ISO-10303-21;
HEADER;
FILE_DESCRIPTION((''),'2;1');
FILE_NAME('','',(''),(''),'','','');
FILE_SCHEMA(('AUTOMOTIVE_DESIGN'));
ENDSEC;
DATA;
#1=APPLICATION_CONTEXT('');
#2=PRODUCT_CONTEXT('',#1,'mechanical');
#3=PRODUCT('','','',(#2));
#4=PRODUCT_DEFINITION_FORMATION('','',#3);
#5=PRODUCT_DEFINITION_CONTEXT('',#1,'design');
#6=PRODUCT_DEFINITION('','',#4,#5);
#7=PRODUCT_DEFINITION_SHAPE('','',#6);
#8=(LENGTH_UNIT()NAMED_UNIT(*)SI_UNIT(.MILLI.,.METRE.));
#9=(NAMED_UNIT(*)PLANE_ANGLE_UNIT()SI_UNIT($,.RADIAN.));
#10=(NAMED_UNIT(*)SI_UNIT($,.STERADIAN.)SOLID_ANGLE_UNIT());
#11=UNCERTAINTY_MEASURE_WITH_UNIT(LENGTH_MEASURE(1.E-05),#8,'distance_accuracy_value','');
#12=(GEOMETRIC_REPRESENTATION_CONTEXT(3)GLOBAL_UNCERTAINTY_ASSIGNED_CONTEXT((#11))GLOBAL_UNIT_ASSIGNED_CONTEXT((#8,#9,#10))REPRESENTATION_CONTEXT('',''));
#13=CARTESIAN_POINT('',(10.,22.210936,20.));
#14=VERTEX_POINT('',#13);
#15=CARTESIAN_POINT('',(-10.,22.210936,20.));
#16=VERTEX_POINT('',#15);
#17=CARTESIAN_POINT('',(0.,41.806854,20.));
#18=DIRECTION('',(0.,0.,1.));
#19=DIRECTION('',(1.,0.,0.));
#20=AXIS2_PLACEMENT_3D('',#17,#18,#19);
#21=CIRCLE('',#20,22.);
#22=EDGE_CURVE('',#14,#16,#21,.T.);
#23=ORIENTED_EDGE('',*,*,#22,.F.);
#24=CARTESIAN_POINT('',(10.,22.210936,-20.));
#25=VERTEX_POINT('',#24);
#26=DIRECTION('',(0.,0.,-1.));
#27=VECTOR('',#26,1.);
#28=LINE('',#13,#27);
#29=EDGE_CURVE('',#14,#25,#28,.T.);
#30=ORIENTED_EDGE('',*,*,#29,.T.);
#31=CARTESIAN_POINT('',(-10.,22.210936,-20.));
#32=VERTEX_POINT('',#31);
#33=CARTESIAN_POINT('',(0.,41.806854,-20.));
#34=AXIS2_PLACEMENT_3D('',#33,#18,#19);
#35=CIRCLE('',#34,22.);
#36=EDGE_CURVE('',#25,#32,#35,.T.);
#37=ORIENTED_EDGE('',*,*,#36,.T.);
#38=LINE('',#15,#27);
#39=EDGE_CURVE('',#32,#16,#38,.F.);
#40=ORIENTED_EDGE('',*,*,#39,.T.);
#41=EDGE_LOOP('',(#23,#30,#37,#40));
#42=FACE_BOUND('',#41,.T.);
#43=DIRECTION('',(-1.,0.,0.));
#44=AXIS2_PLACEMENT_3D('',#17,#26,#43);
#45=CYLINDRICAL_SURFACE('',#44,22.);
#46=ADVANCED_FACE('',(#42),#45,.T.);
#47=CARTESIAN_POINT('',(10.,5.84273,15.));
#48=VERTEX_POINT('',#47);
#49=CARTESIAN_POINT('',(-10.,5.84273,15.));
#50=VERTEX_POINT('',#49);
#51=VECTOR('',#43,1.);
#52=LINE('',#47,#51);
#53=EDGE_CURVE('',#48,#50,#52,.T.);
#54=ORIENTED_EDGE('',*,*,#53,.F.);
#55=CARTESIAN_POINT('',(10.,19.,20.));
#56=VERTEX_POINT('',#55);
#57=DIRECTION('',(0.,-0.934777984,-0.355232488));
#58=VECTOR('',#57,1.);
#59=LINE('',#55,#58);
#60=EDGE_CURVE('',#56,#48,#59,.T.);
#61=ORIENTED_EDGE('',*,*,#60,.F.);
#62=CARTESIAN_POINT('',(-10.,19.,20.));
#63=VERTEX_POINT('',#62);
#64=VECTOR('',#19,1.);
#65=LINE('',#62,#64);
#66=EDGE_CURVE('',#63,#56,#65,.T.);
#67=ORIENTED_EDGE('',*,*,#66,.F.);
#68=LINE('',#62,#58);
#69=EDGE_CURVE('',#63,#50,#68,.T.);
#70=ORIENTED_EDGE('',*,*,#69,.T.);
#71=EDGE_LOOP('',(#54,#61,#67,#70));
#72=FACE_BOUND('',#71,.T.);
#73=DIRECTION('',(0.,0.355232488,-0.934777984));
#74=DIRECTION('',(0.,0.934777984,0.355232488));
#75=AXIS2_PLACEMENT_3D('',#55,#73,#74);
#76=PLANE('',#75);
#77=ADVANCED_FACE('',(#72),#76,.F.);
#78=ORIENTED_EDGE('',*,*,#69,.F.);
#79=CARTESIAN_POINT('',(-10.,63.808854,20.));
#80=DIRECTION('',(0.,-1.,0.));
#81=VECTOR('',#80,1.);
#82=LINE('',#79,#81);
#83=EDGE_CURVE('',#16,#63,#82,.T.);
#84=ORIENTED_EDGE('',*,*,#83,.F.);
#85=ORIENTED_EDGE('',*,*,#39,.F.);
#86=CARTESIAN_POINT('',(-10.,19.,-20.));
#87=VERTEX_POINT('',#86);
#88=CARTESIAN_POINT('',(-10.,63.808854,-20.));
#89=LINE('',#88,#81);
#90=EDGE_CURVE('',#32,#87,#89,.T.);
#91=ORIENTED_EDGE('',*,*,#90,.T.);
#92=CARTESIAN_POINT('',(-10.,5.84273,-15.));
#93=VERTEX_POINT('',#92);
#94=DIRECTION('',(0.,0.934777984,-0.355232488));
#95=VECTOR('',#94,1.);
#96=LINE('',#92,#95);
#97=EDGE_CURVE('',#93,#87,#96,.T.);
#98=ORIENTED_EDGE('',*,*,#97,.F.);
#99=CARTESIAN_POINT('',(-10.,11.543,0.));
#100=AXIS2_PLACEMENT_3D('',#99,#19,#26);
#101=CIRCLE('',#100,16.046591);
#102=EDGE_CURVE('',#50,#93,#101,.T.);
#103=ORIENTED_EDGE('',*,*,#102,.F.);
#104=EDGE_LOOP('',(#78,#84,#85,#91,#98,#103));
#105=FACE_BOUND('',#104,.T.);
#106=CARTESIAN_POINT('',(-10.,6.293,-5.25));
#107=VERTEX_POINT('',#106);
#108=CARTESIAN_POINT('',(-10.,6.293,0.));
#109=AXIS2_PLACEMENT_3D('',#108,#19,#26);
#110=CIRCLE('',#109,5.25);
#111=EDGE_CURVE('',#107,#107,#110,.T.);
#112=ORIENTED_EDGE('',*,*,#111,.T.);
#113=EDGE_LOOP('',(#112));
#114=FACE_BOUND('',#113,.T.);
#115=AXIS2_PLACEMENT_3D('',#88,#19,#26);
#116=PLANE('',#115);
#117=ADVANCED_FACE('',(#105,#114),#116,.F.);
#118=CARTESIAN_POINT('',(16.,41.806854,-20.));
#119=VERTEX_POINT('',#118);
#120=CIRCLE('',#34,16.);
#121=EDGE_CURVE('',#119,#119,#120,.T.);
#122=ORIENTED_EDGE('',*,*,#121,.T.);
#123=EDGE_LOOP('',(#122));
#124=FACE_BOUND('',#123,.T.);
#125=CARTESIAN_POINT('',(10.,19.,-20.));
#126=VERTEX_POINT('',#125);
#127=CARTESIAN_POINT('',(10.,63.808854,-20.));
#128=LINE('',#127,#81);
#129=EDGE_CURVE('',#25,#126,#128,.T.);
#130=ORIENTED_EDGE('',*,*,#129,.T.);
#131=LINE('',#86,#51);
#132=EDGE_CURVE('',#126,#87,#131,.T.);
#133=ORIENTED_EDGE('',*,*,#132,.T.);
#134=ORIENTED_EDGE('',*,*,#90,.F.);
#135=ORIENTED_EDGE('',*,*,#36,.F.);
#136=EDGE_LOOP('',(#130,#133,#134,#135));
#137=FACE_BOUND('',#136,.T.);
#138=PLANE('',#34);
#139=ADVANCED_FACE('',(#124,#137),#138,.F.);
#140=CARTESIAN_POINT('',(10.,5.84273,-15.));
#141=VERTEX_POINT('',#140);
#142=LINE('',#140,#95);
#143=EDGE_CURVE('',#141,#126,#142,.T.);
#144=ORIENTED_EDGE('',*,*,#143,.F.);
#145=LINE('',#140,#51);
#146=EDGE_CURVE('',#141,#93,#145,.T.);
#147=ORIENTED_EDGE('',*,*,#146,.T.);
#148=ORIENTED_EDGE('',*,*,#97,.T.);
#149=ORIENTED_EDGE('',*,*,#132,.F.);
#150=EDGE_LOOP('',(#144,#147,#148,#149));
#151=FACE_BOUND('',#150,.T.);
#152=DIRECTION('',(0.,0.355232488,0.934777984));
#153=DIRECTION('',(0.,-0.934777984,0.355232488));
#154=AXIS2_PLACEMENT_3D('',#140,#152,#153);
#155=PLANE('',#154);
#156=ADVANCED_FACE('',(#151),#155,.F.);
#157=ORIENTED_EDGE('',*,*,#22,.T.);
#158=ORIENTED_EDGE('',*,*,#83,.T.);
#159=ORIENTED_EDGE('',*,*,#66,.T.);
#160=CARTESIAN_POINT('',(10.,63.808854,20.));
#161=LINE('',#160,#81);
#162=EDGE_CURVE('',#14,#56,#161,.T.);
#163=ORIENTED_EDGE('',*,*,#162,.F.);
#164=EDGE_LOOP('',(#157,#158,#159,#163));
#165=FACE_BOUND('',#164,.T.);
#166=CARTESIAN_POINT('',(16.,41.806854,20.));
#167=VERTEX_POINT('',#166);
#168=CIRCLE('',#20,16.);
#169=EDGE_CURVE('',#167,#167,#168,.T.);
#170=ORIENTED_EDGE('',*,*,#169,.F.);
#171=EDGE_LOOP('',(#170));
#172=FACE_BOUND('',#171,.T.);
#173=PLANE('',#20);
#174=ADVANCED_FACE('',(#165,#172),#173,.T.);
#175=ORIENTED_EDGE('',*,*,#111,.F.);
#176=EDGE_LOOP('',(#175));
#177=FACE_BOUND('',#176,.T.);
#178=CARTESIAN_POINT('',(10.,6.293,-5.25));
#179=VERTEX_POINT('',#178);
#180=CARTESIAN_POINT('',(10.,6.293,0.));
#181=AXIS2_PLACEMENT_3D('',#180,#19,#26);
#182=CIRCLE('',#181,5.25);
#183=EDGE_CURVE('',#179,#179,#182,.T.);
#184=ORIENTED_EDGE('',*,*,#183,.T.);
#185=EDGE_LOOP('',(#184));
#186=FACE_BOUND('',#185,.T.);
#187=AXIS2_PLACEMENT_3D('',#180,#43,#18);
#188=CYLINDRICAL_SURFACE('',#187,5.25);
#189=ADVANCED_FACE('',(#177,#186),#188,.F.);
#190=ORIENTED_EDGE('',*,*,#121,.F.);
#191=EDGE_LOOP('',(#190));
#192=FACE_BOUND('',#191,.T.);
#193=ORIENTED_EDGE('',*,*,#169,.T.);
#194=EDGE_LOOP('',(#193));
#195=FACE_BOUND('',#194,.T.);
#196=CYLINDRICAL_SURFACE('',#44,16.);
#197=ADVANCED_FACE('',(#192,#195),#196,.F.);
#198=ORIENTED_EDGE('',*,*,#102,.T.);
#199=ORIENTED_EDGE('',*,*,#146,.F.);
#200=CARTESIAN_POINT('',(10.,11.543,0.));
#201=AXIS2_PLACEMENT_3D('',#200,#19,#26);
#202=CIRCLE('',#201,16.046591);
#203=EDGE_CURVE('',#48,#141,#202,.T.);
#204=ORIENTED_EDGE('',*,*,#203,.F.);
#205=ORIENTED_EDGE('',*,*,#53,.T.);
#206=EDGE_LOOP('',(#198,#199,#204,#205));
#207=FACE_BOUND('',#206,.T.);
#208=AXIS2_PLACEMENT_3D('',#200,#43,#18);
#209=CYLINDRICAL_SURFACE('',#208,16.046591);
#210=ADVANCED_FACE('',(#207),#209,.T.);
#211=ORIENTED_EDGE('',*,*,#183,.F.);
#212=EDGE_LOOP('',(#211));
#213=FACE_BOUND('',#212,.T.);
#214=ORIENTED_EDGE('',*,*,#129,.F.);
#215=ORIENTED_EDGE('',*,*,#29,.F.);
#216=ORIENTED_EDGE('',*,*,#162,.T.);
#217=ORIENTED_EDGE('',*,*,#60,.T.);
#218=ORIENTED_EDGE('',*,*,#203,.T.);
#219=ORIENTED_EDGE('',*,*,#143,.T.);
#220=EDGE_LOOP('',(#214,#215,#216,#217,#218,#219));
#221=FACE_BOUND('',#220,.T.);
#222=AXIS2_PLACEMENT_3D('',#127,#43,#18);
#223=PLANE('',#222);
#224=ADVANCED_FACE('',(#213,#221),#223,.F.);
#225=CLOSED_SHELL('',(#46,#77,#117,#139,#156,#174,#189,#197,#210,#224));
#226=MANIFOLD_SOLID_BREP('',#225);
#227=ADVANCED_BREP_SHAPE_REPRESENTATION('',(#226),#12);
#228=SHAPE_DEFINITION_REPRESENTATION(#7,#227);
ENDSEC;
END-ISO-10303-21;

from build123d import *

# Parameters (mm, degrees)
SKETCH1_R                = 22
SKETCH1_R_2              = 16
BOSS_EXTRUDE1_DEPTH      = 20
BOSS_EXTRUDE2_REACH      = 55.774
BOSS_EXTRUDE2_END_RADIUS = 22
SKETCH5_W                = 20
SKETCH5_H                = 40
SKETCH6_R                = 5.25
BOSS_EXTRUDE3_DEPTH      = 10


with BuildPart() as part:
    # Sketch1 → Boss-Extrude1 (new, symmetric)
    with BuildSketch(Plane.XY):
        with Locations((0, 41.80685414)):
            Circle(SKETCH1_R)
        with Locations((0, 41.80685414)):
            Circle(SKETCH1_R_2, mode=Mode.SUBTRACT)
    extrude(amount=BOSS_EXTRUDE1_DEPTH, both=True)

    # Boss-Extrude2: up to this cylinder (the profile starts outside it)
    boss_extrude2_end = Plane(origin=(0, 41.80685414, 0), z_dir=(0, 0, -1)) * Cylinder(BOSS_EXTRUDE2_END_RADIUS, 156.548, mode=Mode.PRIVATE)
    # Sketch5 → Boss-Extrude2 (add, up to the surface)
    with BuildSketch(Plane(origin=(0, 19, 0), x_dir=(1, 0, 0), z_dir=(0, 1, 0)), mode=Mode.PRIVATE) as boss_extrude2_sk1:
        Rectangle(SKETCH5_W, SKETCH5_H)
    boss_extrude2_tool1 = extrude(boss_extrude2_sk1.sketch, amount=BOSS_EXTRUDE2_REACH, mode=Mode.PRIVATE) - boss_extrude2_end
    add(boss_extrude2_tool1.solids().sort_by_distance((0, 19, 0))[0])

    # Sketch6 → Boss-Extrude3 (add, symmetric)
    with BuildSketch(Plane(origin=(0, 0, 0), x_dir=(0, 0, -1), z_dir=(1, 0, 0))):
        with BuildLine():
            Line((-20, 19), (-15, 5.842729547))
            ThreePointArc((-15, 5.842729547), (0, -4.503591016), (15, 5.842729547))
            Line((15, 5.842729547), (20, 19))
            Line((20, 19), (-20, 19))
        make_face()
        with Locations((0, 6.293)):
            Circle(SKETCH6_R, mode=Mode.SUBTRACT)
    extrude(amount=BOSS_EXTRUDE3_DEPTH, both=True)


solid = part.part
